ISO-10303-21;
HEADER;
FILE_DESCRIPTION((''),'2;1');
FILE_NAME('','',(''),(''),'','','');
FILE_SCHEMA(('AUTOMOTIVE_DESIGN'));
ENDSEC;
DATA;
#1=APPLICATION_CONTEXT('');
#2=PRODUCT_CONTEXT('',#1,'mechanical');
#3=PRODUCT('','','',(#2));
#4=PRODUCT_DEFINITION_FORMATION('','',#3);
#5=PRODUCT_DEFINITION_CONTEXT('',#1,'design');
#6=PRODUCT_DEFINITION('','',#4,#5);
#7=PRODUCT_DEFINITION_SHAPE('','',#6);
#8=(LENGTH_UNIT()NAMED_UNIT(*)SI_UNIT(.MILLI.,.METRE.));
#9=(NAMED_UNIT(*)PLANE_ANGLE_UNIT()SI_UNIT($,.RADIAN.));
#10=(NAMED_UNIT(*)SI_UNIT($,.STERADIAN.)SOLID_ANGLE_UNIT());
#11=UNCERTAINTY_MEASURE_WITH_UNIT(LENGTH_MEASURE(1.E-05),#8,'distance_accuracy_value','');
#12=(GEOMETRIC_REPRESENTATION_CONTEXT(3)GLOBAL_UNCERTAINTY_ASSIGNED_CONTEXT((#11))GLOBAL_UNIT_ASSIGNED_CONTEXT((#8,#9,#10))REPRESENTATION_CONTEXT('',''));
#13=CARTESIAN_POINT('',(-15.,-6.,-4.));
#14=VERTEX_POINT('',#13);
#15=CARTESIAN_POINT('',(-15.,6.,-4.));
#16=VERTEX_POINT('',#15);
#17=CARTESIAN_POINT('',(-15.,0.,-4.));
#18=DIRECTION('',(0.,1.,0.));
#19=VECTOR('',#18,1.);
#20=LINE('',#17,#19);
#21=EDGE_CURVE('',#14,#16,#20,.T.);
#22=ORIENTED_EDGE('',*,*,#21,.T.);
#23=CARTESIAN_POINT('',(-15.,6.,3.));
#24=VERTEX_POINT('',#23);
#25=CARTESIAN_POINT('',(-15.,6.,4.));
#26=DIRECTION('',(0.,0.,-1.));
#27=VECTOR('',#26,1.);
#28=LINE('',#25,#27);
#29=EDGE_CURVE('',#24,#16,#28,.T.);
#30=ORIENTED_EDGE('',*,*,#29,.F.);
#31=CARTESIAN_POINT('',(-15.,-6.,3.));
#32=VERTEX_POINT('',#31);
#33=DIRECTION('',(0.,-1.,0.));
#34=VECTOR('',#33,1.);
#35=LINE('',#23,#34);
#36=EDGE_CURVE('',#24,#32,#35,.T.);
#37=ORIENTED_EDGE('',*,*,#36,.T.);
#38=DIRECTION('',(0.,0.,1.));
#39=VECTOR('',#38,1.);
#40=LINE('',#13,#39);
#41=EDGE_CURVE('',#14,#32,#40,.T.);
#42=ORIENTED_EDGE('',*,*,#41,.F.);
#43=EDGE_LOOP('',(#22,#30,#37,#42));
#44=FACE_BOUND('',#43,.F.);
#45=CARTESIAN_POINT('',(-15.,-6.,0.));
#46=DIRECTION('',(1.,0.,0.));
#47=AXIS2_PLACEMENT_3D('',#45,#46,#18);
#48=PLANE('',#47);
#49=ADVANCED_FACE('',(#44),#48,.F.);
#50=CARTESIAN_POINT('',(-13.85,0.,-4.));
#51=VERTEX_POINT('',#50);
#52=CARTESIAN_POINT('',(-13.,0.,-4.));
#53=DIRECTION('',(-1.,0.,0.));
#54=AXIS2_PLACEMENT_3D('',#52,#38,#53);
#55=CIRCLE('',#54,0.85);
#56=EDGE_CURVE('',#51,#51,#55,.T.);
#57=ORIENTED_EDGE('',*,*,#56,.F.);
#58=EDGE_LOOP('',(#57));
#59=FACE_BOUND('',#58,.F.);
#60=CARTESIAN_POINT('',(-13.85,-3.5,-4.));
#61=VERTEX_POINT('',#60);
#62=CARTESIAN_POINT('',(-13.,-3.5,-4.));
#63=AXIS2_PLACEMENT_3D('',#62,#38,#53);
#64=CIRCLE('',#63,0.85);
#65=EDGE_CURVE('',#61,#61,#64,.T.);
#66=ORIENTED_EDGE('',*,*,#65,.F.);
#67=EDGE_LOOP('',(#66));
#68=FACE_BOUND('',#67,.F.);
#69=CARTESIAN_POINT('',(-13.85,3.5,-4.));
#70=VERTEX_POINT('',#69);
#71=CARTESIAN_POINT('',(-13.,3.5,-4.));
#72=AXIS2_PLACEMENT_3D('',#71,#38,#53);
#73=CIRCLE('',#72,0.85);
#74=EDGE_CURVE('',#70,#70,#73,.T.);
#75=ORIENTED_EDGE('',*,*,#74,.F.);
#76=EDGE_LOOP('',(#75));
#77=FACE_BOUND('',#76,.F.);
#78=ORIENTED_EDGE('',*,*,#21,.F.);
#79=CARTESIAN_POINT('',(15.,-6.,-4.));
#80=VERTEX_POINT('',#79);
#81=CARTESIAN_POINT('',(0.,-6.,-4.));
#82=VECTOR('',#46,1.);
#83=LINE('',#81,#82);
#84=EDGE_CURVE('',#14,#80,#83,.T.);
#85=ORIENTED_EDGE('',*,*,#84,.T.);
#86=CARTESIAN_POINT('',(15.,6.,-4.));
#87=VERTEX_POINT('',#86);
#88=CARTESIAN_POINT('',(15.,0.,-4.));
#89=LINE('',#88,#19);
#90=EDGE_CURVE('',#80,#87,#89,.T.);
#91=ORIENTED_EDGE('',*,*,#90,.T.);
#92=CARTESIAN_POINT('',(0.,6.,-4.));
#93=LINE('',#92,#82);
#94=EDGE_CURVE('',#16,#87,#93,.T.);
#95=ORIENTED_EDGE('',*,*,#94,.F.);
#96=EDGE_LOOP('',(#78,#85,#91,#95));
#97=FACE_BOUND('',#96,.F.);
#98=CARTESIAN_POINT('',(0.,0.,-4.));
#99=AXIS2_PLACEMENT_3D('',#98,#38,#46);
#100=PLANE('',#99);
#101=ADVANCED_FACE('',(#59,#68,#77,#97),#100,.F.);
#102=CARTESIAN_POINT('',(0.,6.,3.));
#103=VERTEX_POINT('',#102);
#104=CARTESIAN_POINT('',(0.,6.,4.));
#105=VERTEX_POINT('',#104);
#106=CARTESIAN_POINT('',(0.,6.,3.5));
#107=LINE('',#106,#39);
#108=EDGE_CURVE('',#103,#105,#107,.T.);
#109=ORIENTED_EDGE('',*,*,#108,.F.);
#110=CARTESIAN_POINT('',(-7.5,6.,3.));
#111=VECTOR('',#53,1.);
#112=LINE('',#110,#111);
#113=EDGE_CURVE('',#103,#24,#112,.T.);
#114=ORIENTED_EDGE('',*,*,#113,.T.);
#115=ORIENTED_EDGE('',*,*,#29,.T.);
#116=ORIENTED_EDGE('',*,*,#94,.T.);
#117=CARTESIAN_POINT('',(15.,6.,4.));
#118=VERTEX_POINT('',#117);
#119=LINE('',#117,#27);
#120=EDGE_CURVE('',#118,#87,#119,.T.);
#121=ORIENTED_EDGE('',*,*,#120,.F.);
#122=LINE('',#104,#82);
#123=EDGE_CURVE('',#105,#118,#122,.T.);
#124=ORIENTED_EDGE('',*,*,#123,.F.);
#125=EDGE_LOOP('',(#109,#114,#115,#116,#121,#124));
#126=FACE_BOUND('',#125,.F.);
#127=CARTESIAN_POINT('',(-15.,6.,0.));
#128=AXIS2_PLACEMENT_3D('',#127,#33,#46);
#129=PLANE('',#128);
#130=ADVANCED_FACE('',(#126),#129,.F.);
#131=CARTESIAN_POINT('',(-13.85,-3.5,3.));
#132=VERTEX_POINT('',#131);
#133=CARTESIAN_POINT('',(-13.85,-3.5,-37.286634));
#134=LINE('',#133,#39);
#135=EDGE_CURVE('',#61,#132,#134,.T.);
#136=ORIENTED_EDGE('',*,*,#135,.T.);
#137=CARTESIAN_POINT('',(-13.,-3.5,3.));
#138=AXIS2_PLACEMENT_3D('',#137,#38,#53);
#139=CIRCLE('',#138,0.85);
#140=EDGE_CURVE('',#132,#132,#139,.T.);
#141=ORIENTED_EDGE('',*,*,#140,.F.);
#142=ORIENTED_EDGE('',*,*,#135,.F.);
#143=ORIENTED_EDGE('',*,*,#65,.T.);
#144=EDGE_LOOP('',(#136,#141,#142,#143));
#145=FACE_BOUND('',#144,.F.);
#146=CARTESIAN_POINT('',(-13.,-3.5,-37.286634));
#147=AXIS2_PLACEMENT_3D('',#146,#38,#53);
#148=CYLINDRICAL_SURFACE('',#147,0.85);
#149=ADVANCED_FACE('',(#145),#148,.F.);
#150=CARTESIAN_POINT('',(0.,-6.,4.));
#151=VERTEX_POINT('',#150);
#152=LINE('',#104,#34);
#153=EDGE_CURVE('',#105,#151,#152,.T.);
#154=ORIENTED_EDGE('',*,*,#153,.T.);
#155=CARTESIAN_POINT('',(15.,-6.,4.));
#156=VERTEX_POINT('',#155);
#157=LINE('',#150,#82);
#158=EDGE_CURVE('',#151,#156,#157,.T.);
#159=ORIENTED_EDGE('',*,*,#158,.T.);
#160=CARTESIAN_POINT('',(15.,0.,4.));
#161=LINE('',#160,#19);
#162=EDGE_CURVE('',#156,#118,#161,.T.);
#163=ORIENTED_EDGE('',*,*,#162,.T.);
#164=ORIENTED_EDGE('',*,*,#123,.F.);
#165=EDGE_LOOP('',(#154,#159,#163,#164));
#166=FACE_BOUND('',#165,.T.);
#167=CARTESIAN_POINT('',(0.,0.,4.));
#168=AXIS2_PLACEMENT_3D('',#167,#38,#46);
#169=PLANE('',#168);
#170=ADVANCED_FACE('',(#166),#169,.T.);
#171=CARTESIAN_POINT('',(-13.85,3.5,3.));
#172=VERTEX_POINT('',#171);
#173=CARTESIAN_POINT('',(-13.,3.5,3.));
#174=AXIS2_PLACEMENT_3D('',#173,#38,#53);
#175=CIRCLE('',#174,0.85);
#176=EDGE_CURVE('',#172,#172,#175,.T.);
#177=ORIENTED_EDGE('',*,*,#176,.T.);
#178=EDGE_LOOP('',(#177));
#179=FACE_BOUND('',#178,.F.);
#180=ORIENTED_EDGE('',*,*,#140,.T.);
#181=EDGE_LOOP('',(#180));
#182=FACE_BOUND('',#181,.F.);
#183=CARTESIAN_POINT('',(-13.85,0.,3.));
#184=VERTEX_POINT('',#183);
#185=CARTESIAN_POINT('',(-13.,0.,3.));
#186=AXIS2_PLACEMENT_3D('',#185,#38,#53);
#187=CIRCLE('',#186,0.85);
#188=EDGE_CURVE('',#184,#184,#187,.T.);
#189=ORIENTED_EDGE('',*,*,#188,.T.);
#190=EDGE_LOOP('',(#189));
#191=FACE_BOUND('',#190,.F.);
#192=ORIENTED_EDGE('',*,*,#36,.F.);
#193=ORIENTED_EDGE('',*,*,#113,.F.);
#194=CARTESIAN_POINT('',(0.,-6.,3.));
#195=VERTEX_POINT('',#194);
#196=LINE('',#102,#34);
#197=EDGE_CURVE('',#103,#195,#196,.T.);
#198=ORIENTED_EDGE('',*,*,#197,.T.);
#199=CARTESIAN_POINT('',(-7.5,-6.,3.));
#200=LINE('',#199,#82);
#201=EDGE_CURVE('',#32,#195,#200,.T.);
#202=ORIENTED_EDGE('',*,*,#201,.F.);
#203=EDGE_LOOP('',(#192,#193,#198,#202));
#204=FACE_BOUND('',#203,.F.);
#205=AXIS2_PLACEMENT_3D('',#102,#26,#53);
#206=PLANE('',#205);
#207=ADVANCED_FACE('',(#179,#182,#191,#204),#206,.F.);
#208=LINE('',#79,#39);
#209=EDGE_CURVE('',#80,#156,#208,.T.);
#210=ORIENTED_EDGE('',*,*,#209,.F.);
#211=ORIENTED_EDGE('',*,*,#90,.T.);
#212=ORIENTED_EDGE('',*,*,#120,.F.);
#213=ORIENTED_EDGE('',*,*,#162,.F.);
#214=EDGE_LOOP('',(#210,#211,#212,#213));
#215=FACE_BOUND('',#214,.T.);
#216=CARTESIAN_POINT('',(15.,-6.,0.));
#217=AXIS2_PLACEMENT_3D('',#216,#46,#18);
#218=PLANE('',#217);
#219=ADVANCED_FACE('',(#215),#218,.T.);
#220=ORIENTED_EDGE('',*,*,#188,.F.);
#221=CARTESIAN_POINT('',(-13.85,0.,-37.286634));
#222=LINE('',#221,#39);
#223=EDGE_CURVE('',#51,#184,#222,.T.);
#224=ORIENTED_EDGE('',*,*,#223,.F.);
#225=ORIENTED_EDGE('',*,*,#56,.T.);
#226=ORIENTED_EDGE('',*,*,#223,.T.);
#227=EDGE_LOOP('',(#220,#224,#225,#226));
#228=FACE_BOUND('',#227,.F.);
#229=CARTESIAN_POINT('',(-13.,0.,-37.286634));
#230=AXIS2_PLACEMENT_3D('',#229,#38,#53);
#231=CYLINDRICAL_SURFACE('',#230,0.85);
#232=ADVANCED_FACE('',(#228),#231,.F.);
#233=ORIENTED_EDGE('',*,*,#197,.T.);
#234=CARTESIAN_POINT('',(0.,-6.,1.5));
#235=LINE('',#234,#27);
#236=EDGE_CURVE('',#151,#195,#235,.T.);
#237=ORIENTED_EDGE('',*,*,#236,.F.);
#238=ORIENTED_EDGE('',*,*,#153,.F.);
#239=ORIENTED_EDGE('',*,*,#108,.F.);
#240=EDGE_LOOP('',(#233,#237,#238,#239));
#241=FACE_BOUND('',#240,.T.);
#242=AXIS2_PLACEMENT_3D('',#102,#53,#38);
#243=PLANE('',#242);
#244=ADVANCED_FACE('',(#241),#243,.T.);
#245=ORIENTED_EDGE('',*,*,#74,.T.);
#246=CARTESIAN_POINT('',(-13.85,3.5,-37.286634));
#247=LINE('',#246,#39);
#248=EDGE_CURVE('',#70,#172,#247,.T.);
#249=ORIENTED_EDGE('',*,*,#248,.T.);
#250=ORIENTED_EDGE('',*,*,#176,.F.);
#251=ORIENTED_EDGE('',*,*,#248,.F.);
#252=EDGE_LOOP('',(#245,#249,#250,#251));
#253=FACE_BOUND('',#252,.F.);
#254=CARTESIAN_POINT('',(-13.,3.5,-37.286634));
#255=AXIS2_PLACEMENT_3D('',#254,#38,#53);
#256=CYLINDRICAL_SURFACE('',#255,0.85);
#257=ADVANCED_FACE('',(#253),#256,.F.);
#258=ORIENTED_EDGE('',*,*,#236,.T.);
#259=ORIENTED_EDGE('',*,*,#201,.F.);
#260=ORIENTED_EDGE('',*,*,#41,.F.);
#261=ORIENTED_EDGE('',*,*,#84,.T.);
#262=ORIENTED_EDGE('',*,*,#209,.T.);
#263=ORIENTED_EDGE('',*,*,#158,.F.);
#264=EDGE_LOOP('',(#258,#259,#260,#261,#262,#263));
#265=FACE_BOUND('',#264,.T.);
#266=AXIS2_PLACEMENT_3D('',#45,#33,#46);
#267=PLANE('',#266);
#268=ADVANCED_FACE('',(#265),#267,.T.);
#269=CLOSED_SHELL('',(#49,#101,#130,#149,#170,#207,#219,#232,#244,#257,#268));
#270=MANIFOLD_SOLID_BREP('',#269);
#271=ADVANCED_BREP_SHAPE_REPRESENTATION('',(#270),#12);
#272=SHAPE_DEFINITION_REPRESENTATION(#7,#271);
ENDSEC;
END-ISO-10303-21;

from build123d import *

# Parameters (mm, degrees)
F0_W     = 30
F0_H     = 12
F1_DEPTH = 4
F2_W     = 15
F2_H     = 1
F3_DEPTH = 25
F5_D     = 1.7


with BuildPart() as f1:
    # F0 (on Top) → F1 (new body, symmetric)
    with BuildSketch(Plane.XY):
        Rectangle(F0_W, F0_H)
    extrude(amount=F1_DEPTH, both=True)

    # F2 (on face) → F3 (cut)
    with BuildSketch(Plane(origin=(0, 6, 0), x_dir=(-1, 0, 0), z_dir=(0, 1, 0))):
        with Locations((7.5, 3.5)):
            Rectangle(F2_W, F2_H)
    extrude(amount=-F3_DEPTH, mode=Mode.SUBTRACT)

    # F5 (through all)
    with Locations(Plane(origin=(0, 0, -4), x_dir=(1, 0, 0), z_dir=(0, 0, -1))):
        with Locations((-13, -3.5), (-13, 0), (-13, 3.5)):
            Hole(F5_D / 2)


solid = f1.part
